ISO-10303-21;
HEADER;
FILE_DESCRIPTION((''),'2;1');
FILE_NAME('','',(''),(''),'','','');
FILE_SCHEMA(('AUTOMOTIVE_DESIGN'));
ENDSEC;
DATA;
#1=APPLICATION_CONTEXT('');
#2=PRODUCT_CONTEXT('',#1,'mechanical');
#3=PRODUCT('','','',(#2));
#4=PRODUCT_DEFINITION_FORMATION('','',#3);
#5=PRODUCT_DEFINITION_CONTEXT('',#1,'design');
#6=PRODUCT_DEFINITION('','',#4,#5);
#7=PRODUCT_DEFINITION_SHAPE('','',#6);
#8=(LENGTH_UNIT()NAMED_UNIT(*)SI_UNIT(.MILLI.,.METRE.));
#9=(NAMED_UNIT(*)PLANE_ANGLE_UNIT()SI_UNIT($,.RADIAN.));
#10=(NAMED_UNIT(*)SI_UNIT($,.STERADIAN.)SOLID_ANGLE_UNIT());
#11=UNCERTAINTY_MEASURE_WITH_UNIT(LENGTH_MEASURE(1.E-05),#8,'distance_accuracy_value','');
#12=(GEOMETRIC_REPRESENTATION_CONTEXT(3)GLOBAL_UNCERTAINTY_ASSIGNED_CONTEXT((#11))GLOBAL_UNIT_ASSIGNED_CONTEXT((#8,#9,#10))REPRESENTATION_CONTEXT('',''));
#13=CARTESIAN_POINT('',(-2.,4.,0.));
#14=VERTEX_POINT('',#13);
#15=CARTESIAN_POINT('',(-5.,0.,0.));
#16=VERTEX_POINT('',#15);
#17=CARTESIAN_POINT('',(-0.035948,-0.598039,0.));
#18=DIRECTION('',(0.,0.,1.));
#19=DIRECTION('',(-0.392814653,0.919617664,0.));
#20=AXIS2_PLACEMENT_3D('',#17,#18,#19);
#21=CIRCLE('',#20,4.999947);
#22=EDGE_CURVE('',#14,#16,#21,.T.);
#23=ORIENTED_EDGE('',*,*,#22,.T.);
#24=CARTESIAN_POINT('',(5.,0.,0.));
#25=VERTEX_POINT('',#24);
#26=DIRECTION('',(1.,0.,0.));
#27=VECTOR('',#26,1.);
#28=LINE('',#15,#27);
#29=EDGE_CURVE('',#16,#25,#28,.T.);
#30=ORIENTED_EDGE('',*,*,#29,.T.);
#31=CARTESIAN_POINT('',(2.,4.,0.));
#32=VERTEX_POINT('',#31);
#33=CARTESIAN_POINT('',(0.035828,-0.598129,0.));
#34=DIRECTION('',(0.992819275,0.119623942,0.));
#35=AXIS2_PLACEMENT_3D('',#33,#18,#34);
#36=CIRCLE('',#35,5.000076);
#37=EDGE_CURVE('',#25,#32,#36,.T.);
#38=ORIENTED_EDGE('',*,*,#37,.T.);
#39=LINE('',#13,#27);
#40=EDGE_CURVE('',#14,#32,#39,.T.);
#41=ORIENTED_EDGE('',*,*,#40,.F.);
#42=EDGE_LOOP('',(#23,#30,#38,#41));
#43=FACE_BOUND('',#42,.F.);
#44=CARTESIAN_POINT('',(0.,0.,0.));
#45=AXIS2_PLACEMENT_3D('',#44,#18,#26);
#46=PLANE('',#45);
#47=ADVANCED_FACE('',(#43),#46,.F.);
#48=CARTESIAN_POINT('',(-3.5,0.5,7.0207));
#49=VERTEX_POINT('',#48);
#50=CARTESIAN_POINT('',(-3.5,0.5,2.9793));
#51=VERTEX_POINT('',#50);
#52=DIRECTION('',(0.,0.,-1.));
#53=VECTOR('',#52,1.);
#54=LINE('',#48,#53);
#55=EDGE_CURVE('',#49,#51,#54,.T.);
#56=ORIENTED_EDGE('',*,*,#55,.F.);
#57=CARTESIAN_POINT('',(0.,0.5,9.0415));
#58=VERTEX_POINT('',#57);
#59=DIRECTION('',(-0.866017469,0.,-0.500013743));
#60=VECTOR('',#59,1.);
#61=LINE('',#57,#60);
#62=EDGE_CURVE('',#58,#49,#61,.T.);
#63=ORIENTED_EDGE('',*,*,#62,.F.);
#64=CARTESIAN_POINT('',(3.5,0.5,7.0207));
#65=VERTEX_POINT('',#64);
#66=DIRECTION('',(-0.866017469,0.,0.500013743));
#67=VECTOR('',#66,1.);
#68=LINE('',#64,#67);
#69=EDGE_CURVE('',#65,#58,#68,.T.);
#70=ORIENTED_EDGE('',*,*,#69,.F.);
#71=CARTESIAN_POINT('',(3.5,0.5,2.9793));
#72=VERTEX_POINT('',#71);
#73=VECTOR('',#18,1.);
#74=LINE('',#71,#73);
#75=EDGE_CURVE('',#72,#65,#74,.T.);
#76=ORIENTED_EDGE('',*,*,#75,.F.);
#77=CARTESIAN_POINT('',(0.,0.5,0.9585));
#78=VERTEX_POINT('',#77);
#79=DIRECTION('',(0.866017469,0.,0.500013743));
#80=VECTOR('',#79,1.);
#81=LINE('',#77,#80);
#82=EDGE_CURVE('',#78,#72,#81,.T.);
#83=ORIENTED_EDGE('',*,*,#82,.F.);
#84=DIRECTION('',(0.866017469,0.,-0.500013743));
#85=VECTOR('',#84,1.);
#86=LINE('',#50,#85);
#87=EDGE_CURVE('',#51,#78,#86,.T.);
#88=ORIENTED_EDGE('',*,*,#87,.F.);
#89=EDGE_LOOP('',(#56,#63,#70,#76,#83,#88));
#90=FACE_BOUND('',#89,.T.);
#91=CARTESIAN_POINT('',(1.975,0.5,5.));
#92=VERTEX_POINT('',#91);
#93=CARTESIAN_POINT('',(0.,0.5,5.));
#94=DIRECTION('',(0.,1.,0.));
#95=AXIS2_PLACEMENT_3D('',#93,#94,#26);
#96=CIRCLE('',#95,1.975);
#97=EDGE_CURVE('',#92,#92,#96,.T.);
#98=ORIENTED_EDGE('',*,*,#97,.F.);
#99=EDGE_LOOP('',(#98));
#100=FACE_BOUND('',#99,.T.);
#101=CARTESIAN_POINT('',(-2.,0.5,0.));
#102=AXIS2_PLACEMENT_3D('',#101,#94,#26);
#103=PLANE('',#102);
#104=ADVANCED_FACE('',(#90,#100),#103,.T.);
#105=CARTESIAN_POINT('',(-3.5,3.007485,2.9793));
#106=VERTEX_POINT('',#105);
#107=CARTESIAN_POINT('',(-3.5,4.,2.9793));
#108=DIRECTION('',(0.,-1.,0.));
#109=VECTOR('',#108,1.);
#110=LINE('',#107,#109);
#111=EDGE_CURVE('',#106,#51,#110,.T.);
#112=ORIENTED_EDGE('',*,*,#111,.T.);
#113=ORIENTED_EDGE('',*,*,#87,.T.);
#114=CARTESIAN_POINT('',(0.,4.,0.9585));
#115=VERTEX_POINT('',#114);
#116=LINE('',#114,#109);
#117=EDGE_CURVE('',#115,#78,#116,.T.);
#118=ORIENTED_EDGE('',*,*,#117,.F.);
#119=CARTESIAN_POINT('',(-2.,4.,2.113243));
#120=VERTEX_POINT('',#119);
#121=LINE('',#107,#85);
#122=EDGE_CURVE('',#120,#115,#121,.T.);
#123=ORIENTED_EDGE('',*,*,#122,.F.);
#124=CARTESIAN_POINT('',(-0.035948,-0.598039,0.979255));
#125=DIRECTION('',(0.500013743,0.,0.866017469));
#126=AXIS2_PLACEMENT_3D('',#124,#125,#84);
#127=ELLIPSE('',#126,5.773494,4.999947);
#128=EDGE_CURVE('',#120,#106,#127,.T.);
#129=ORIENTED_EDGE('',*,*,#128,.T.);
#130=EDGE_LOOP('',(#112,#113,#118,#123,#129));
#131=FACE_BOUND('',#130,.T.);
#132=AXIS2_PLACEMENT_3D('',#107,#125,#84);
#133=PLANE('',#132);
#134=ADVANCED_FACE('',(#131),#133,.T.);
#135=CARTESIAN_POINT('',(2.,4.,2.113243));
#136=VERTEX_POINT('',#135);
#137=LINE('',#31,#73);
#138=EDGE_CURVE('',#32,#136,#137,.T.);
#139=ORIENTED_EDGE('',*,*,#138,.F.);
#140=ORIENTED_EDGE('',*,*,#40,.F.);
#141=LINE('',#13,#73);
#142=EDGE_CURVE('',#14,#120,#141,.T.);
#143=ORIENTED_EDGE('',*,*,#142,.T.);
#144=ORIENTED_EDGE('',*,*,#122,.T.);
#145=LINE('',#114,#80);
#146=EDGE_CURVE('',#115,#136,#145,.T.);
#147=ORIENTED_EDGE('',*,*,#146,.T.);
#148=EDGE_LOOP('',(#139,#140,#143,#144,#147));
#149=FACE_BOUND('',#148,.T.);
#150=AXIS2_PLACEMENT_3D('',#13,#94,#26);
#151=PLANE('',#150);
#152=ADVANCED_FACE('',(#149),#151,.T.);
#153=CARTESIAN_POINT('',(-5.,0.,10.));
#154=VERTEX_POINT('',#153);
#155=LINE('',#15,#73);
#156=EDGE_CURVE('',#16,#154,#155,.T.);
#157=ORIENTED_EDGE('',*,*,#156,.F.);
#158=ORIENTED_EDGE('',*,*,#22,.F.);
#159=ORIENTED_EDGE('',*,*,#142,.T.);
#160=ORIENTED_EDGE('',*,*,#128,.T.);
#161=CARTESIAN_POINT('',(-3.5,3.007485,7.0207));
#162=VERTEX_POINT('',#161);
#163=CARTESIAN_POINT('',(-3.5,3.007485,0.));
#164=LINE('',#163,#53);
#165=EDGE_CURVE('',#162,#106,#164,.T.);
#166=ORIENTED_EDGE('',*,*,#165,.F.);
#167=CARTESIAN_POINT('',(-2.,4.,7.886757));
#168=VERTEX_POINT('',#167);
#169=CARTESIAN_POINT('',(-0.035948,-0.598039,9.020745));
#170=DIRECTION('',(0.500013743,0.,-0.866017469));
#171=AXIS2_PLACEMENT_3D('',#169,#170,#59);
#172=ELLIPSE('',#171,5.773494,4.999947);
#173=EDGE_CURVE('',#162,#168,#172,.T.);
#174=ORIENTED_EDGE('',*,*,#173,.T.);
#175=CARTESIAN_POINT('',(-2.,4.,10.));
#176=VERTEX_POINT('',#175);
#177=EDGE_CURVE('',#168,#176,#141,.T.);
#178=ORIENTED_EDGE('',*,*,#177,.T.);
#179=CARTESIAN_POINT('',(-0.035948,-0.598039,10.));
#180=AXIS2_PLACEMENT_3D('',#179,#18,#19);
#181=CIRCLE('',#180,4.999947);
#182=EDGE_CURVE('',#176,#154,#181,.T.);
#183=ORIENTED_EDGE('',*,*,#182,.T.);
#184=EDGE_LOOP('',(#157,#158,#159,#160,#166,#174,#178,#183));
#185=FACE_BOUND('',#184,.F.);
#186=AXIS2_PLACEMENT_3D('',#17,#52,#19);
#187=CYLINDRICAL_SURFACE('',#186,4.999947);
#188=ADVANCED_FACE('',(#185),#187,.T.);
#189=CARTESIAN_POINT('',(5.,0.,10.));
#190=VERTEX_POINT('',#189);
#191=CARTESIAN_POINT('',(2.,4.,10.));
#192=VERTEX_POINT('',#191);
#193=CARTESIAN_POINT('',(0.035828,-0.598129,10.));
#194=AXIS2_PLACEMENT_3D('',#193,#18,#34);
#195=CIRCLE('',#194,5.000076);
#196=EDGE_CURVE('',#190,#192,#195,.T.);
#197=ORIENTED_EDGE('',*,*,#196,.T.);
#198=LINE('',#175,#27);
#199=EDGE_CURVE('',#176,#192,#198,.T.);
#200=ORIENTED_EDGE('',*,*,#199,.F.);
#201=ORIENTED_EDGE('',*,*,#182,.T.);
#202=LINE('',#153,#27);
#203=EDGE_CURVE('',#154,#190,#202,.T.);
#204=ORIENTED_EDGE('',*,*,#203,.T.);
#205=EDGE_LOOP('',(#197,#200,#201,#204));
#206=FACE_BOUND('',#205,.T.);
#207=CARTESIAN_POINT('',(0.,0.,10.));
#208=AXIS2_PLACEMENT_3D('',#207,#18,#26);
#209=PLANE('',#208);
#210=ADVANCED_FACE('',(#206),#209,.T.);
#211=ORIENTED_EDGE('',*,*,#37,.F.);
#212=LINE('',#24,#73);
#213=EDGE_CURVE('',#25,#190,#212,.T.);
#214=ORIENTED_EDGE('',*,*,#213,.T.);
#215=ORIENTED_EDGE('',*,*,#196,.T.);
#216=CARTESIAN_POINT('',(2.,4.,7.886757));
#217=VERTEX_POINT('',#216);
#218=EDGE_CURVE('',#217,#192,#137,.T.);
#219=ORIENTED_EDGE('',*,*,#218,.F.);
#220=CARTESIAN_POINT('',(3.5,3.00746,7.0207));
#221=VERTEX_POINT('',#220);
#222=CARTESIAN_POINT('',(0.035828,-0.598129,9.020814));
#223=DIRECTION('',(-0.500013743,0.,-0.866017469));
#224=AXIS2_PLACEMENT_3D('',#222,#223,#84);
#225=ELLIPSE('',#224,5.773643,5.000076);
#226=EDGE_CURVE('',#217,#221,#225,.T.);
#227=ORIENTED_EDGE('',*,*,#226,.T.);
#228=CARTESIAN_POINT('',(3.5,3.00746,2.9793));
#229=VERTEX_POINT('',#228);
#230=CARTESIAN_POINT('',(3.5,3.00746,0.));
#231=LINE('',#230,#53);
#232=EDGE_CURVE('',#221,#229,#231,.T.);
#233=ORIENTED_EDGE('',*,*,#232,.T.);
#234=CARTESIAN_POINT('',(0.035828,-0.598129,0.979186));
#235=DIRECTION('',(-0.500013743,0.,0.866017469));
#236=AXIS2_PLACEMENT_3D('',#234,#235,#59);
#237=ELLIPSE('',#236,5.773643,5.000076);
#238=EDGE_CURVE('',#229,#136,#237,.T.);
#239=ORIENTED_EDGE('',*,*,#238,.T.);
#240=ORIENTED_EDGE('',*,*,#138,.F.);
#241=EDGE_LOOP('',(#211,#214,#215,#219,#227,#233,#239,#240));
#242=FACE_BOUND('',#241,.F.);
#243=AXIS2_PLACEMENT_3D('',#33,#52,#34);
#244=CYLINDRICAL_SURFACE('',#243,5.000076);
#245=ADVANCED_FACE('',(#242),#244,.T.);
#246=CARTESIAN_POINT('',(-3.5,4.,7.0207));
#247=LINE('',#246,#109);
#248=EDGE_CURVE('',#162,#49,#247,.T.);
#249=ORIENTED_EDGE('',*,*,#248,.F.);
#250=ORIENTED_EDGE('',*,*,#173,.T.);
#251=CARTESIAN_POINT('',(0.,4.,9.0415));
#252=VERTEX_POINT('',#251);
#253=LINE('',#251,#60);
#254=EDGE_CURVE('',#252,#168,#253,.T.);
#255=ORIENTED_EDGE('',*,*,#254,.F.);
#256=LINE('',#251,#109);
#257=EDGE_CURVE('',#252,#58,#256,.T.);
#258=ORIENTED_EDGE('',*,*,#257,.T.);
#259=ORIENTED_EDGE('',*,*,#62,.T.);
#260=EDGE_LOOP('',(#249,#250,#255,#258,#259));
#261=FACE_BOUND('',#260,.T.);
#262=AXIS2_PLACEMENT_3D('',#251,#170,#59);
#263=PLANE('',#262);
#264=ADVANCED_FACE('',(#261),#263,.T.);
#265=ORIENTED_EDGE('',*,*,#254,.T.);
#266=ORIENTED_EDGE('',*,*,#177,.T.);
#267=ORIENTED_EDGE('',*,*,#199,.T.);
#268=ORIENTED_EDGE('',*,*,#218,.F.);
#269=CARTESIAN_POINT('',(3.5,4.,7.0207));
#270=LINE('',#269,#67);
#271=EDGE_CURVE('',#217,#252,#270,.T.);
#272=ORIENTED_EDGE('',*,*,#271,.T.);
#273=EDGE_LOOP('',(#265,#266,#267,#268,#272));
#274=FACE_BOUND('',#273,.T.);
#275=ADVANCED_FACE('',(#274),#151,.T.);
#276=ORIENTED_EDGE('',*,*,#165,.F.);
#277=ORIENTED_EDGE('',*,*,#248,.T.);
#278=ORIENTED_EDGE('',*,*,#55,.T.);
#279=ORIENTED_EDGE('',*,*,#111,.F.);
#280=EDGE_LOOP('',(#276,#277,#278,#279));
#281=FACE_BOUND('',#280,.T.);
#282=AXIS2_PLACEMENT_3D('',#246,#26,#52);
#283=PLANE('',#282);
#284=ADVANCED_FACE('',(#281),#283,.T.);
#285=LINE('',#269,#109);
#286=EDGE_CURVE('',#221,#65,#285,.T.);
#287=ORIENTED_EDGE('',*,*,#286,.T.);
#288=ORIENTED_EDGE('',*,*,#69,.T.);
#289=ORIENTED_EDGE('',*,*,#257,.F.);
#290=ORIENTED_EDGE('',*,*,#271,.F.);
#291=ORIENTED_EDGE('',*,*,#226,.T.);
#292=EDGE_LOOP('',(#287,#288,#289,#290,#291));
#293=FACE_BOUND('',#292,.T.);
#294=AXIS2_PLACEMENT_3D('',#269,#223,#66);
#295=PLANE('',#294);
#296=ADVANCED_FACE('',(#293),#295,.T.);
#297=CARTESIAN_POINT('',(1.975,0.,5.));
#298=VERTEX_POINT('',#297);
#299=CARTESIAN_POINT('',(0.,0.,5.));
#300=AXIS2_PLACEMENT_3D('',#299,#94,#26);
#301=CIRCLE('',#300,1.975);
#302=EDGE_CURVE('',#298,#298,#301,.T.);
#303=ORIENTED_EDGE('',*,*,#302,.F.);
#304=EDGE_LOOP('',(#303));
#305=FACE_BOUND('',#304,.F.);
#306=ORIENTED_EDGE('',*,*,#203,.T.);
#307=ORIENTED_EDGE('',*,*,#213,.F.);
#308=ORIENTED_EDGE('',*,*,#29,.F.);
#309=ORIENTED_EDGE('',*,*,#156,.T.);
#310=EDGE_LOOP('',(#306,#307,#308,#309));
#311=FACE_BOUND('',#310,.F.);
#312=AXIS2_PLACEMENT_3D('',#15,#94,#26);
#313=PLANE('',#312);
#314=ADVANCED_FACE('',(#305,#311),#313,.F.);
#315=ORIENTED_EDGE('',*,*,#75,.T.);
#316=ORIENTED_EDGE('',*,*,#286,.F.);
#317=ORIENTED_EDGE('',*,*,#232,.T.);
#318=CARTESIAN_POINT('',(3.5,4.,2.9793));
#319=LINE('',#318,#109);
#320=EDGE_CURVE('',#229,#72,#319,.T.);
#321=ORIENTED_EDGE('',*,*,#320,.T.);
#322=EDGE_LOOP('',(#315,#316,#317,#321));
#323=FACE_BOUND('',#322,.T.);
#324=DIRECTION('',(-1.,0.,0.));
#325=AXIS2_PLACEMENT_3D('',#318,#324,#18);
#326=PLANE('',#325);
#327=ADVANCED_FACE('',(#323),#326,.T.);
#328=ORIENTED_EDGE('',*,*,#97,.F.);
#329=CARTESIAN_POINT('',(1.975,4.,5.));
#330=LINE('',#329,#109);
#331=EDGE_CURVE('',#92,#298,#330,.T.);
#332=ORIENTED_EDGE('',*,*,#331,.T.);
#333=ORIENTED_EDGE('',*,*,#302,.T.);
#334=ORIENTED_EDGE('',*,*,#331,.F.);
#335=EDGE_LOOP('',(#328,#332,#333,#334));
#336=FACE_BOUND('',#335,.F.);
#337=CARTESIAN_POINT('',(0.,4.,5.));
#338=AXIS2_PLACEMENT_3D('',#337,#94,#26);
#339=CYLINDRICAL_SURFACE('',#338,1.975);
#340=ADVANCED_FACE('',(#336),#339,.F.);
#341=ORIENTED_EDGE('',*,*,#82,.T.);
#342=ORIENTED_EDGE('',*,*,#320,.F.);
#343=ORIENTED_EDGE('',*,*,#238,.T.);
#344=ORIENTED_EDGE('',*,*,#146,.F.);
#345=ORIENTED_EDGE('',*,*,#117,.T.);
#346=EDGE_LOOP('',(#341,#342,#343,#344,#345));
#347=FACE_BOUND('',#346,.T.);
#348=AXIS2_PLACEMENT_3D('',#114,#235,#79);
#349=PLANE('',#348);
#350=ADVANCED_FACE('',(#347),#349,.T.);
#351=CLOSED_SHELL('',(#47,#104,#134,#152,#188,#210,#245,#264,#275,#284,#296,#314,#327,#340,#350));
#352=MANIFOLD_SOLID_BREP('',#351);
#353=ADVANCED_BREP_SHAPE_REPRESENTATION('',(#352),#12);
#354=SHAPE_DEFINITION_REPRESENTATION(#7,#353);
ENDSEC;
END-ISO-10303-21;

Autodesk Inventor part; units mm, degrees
ref_plane "YZ Plane" through (0, 0, 0) normal (1, 0, 0) x (0, 1, 0)
ref_plane "XZ Plane" through (0, 0, 0) normal (0, 1, 0) x (-1, 0, 0)
ref_plane "XY Plane" through (0, 0, 0) normal (0, 0, 1) x (1, 0, 0)
sketch "Sketch1" plane through (0, 0, 0) normal (0, 0, 1) x (1, 0, 0)
  line L0 (-5, 0) -> (5, 0)
  line L1 (0, 0) -> (0, 4) construction
  line L2 (-2, 4) -> (2, 4)
  arc A0 (-2, 4) -> (-5, 0) centre (-0.0359, -0.5981) ccw
  arc A1 (5, 0) -> (2, 4) centre (0.0359, -0.5981) ccw
  dimension "d0" = 10
  dimension "d1" = 4
  dimension "d2" = 4
  dimension "d3" = 5
  dimension "d4" = 5
extrude "Extrusion1" add sketch "Sketch1" along normal blind 10
sketch "Sketch2" plane through (-2, 4, 0) normal (0, 1, 0) x (1, 0, 0)
  circle A0 centre (2, -5) radius 1.975
  line L0 (4, 0) -> (0, 0) projected
  line L1 (0, 0) -> (0, -10) projected
  point P0 (2, 0)
  point P1 (2, 0)
  dimension "d7" = 3.95
  dimension "d8" = 5
  dimension "d9" = 2
extrude "Extrusion2" cut sketch "Sketch2" against normal blind 10
sketch "Sketch3" plane through (-2, 4, 0) normal (0, 1, 0) x (1, 0, 0)
  point P0 (2, 0)
sketch "Sketch5" plane through (-2, 4, 0) normal (0, 1, 0) x (1, 0, 0)
  circle A0 centre (2, -5) radius 1.975 projected
  line L0 (2, -0.9585) -> (5.5, -2.9793)
  line L1 (5.5, -2.9793) -> (5.5, -7.0207)
  line L2 (5.5, -7.0207) -> (2, -9.0415)
  line L3 (2, -9.0415) -> (-1.5, -7.0207)
  line L4 (-1.5, -7.0207) -> (-1.5, -2.9793)
  line L5 (-1.5, -2.9793) -> (2, -0.9585)
  point P0 (2, 0)
  point P1 (5.5, -5)
  dimension "d15" = 3.5
extrude "Extrusion4" cut sketch "Sketch5" against normal blind 3.5
properties part number "RailNut"
